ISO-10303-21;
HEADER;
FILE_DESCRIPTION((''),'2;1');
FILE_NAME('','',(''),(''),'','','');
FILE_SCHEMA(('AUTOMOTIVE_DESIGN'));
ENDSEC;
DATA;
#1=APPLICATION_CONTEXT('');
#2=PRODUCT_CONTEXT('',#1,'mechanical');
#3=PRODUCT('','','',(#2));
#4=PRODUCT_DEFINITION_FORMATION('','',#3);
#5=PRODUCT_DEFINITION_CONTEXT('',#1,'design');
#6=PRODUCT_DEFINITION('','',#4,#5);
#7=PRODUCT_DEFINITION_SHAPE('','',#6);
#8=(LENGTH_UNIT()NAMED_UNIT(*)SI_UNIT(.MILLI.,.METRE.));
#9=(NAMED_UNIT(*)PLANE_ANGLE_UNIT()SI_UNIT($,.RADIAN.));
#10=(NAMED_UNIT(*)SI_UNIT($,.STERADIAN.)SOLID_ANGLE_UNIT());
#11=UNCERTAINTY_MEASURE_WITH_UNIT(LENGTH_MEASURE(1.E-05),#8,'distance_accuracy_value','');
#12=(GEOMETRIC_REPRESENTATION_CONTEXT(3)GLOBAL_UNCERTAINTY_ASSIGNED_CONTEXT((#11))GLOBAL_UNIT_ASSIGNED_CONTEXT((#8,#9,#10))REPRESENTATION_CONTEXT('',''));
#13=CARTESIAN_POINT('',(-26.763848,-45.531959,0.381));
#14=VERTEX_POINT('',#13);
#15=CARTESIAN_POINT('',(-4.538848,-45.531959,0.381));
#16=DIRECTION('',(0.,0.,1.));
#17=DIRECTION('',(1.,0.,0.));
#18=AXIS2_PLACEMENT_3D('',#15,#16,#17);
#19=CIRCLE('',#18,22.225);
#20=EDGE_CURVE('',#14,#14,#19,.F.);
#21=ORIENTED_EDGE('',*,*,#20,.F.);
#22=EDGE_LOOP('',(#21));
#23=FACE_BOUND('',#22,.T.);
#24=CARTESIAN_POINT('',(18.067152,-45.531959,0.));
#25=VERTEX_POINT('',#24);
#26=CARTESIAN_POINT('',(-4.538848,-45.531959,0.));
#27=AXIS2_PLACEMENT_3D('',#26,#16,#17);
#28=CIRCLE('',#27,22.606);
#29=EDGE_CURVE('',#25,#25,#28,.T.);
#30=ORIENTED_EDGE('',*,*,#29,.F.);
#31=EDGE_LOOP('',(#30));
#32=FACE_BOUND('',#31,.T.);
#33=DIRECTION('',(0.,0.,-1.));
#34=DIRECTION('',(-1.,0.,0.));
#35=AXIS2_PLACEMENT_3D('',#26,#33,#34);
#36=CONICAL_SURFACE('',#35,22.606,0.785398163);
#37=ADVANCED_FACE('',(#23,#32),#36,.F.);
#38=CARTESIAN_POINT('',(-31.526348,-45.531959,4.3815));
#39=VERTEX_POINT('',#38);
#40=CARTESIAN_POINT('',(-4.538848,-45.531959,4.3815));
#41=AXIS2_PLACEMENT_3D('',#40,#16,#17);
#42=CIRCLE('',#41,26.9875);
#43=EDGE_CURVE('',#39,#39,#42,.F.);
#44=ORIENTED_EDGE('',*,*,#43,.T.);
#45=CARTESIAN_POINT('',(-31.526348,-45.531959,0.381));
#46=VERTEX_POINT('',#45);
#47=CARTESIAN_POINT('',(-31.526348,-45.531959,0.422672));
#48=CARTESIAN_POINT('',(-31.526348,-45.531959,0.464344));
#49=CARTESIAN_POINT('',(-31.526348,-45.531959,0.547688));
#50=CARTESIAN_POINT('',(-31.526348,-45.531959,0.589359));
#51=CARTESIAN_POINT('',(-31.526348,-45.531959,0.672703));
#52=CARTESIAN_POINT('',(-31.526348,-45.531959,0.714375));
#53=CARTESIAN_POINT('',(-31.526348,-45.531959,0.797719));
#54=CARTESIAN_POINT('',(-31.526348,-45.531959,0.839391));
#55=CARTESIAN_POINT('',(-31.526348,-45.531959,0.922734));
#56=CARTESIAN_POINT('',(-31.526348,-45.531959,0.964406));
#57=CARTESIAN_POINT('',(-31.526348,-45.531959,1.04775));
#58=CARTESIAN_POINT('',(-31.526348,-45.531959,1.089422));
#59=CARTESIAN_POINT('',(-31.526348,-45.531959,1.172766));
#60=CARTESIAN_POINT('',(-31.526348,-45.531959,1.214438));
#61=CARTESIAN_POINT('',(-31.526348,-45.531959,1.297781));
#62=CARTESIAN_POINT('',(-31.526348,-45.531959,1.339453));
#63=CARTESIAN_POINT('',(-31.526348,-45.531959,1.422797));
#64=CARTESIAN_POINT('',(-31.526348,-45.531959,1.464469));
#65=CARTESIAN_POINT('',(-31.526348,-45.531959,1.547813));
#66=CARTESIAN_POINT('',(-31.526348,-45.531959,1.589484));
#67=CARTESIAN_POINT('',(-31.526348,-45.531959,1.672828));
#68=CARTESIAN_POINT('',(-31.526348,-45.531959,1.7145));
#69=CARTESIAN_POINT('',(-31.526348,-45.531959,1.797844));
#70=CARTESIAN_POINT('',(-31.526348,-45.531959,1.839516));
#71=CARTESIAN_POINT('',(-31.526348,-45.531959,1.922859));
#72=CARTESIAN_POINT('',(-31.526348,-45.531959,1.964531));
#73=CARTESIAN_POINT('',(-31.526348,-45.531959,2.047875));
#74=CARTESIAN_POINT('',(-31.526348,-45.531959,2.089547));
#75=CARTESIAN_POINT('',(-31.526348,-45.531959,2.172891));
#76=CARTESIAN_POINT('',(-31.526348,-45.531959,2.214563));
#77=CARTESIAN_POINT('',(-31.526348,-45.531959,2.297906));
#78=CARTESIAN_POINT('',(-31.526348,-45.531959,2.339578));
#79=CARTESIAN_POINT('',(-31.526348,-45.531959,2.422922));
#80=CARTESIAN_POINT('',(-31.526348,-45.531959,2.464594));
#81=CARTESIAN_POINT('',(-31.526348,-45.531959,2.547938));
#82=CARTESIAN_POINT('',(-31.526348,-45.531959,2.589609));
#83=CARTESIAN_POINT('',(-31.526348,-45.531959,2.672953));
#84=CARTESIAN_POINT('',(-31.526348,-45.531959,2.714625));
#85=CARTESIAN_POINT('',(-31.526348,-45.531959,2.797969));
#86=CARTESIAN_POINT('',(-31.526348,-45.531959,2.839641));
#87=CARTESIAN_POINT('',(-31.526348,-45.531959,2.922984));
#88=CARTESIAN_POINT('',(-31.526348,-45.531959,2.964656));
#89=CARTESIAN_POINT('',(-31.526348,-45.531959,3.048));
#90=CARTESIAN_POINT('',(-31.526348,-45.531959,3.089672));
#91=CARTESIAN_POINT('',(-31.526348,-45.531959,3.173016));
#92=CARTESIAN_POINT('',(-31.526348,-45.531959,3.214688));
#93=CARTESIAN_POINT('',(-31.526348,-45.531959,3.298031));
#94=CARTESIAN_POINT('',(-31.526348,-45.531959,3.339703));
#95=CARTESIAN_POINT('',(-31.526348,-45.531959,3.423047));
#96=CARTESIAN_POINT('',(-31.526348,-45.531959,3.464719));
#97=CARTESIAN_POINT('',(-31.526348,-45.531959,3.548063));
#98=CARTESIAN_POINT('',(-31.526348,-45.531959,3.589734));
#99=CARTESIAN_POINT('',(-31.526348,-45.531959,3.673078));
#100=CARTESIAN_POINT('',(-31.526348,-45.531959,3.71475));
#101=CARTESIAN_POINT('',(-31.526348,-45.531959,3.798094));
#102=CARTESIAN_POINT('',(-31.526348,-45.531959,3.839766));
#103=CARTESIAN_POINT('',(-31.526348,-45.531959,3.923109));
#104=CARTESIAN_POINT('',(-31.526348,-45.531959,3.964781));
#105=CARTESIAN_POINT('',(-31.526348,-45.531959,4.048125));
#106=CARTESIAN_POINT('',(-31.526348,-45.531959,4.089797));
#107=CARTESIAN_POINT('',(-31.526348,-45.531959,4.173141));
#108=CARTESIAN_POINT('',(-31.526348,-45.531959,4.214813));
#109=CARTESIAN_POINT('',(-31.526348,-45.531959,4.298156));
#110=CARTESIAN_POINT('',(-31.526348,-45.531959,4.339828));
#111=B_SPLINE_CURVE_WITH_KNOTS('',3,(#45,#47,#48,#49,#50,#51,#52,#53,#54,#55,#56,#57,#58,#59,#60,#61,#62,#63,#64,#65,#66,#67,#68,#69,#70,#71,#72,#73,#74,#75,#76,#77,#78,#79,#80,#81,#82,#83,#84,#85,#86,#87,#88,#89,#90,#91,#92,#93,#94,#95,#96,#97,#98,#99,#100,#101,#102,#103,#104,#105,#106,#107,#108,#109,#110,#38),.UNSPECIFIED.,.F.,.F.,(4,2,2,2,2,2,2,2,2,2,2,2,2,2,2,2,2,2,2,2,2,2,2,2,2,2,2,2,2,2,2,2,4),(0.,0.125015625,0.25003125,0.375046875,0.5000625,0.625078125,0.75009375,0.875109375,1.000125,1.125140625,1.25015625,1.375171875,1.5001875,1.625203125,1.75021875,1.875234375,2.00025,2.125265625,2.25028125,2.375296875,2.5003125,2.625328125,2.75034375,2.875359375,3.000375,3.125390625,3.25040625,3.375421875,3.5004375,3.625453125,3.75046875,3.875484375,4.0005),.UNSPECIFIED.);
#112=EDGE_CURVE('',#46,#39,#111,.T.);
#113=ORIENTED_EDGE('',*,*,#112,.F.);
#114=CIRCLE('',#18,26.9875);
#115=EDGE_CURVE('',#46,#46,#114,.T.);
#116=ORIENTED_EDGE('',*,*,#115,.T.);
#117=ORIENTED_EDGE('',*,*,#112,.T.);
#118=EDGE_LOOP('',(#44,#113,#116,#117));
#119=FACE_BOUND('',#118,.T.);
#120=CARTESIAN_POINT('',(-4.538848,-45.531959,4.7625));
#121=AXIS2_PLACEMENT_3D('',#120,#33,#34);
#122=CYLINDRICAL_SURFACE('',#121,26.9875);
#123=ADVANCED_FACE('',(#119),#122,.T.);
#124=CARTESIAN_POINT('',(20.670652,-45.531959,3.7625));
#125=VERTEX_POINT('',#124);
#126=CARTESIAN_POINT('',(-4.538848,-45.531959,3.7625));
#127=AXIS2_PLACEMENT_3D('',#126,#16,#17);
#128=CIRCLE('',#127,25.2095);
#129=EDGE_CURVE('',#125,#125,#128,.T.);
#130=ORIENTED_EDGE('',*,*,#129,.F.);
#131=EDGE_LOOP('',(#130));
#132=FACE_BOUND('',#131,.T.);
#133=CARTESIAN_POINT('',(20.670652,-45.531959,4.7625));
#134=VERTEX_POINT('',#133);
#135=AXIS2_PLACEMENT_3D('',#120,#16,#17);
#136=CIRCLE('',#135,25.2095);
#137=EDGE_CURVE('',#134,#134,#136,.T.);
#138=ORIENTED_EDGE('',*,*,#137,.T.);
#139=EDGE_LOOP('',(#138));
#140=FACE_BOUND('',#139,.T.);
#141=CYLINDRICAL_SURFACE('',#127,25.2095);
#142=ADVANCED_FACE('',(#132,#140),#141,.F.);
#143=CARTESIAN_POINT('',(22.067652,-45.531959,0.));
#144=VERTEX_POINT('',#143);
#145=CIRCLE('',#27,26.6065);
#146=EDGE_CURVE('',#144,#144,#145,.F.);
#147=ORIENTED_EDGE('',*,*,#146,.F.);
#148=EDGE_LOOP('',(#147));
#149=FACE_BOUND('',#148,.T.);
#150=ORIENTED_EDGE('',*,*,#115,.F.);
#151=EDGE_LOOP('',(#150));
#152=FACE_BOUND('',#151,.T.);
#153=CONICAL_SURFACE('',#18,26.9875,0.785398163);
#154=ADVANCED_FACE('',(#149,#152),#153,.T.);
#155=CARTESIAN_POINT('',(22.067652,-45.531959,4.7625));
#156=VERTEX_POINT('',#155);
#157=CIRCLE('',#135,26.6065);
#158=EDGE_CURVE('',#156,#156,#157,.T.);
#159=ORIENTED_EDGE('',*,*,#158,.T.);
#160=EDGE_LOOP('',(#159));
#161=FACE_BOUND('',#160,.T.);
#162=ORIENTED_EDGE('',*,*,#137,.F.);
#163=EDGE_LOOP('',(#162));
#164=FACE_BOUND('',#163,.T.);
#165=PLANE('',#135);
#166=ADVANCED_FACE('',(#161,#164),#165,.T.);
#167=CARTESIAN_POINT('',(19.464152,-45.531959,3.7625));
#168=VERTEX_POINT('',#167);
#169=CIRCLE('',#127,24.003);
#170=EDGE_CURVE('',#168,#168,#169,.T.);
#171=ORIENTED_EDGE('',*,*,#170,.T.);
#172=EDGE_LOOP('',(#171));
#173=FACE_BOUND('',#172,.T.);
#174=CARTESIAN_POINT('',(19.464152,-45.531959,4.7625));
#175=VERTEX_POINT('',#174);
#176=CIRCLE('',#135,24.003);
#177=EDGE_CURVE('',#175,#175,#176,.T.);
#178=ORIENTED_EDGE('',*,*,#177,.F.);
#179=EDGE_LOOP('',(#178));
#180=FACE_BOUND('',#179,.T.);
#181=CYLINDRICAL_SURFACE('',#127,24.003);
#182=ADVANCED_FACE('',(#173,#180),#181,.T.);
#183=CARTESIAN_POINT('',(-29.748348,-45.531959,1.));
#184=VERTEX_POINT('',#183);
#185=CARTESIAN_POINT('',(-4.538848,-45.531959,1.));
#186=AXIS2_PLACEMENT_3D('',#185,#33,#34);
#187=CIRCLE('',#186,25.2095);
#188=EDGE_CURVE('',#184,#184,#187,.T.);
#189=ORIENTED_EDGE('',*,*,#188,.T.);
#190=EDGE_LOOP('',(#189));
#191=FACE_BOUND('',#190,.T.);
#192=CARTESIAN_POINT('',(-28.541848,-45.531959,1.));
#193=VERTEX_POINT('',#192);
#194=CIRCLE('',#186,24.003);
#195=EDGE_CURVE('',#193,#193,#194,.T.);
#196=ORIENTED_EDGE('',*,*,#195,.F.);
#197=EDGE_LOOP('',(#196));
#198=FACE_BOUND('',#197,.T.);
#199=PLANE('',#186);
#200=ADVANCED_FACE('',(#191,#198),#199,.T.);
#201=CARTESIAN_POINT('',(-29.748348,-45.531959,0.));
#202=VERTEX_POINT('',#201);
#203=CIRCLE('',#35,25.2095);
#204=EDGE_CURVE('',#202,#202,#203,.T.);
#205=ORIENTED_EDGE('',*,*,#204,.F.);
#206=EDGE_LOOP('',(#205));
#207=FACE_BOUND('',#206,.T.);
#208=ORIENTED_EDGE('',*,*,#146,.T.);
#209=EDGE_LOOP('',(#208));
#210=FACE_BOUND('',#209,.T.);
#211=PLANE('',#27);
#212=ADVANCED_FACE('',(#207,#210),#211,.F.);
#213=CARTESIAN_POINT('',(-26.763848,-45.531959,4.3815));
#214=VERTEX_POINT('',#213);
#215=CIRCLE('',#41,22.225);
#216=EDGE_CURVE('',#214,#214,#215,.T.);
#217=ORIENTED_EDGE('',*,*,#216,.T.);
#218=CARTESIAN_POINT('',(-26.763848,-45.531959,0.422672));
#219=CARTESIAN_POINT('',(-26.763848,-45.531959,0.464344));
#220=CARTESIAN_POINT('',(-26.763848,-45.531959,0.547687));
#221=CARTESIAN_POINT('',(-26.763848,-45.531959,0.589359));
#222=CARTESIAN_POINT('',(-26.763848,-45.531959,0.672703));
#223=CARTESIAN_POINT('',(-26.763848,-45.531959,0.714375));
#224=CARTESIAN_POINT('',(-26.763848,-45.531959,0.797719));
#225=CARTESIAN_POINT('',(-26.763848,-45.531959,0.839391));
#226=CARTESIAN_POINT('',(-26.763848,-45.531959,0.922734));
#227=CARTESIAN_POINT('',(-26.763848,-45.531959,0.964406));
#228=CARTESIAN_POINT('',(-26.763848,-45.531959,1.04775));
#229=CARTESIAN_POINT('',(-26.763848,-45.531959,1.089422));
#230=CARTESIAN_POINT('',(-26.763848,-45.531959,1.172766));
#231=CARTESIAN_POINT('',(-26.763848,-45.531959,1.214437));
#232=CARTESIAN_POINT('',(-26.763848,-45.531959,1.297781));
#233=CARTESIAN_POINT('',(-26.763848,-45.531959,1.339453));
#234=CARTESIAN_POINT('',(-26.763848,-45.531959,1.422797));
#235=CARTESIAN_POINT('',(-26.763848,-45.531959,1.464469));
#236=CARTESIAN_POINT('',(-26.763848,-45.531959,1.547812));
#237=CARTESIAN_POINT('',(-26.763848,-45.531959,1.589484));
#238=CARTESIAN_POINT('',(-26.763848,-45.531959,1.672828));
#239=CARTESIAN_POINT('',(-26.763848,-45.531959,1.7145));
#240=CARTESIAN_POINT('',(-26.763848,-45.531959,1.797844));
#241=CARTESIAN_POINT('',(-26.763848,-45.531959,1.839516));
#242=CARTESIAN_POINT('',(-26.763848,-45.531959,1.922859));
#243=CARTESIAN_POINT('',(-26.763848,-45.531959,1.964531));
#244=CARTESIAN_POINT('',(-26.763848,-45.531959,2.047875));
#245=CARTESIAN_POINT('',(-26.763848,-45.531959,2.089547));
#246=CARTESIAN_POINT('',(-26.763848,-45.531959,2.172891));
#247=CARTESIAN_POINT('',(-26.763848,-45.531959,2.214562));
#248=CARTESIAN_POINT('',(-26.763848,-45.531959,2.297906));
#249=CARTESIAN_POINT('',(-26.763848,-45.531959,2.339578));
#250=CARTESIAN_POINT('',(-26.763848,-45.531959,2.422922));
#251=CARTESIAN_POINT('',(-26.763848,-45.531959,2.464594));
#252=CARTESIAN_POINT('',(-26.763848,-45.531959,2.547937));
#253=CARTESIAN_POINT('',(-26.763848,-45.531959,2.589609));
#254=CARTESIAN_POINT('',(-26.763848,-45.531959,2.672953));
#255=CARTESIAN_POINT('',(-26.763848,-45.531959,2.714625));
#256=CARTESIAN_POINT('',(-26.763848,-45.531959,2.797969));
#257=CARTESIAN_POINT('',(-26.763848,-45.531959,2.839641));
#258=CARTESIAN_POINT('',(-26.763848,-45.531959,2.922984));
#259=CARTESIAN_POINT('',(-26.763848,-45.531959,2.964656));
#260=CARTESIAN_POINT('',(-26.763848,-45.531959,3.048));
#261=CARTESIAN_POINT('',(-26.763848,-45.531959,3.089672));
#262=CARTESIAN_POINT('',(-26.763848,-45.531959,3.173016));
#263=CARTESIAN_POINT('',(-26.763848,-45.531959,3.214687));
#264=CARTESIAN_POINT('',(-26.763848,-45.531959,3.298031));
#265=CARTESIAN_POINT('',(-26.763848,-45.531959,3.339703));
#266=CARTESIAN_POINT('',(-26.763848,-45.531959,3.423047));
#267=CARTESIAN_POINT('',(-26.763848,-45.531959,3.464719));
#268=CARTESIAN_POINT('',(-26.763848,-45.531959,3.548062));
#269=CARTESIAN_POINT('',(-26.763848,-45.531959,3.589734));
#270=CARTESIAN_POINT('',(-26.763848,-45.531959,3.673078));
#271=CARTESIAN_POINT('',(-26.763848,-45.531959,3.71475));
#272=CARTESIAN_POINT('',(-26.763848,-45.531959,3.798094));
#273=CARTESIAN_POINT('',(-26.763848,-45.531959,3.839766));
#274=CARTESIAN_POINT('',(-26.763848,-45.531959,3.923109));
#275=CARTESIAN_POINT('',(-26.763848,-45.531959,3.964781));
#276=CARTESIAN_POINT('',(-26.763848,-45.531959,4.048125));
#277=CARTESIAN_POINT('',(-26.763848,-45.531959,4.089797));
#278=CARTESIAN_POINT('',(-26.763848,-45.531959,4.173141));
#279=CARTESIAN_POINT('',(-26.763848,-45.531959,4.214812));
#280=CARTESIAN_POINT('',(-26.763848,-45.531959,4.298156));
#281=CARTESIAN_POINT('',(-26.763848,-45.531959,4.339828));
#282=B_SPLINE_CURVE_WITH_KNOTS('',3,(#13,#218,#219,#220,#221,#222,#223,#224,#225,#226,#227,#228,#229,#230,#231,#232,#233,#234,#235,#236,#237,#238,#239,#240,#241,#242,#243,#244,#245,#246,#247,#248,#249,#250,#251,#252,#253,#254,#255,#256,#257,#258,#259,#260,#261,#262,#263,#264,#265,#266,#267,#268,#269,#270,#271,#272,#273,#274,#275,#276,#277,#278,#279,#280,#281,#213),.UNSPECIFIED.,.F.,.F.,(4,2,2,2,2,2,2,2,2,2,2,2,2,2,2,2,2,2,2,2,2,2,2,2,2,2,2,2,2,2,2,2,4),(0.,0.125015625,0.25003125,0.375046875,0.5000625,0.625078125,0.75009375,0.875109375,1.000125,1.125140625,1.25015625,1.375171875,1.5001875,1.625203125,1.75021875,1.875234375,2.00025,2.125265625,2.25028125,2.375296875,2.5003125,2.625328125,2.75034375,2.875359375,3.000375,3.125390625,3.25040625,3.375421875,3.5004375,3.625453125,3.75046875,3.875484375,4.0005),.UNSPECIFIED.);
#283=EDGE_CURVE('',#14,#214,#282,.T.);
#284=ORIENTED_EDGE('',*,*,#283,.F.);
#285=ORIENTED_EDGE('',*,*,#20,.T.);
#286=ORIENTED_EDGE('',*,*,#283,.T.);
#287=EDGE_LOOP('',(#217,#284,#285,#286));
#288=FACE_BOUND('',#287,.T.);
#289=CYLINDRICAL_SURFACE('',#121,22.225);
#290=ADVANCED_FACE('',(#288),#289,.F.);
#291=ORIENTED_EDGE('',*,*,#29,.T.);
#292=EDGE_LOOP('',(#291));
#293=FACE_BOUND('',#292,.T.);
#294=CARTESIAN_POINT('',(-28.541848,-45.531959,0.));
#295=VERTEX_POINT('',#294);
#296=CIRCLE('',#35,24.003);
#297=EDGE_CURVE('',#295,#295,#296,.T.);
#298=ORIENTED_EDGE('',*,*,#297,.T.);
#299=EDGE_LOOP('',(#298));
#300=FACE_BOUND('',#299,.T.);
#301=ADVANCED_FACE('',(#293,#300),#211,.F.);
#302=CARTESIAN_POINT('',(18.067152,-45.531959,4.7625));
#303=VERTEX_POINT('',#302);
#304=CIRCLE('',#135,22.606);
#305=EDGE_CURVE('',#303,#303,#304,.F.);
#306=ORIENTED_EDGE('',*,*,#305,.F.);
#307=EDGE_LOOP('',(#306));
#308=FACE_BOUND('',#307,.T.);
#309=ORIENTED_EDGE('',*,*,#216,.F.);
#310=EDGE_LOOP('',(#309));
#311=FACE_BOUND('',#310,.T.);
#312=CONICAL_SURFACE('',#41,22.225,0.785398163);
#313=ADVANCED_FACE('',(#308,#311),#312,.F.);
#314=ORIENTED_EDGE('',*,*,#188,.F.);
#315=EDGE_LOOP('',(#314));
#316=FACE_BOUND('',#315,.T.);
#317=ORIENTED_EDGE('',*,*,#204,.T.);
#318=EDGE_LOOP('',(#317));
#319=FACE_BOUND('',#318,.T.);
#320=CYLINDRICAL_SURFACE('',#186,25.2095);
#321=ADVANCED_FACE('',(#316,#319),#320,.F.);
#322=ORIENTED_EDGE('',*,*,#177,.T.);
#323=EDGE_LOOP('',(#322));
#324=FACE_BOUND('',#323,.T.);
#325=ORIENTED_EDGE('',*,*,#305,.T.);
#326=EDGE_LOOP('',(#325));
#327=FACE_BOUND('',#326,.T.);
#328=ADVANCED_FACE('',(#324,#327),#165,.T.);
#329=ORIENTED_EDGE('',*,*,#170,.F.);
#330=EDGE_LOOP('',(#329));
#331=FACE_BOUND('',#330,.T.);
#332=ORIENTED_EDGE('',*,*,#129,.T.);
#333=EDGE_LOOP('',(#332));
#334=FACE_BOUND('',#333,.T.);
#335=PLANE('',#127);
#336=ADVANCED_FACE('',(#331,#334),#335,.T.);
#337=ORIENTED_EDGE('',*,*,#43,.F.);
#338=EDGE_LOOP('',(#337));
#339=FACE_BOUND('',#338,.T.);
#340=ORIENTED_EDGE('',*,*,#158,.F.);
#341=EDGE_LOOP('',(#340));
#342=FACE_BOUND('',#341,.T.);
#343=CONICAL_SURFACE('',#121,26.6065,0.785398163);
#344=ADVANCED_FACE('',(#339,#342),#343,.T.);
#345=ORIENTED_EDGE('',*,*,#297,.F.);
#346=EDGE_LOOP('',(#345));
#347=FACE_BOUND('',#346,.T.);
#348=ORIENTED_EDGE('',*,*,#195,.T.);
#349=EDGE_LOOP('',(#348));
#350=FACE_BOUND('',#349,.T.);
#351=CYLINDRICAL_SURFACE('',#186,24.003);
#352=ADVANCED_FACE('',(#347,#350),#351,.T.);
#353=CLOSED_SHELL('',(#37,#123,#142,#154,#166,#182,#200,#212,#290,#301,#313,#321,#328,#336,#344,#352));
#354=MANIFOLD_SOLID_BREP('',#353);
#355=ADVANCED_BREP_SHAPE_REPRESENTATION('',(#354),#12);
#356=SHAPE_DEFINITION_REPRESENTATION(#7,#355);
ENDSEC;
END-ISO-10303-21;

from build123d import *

# Parameters (mm, degrees)
SKETCH1_R          = 26.9875
SKETCH1_R_2        = 22.225
EXTRUDE1_DEPTH     = 4.7625
SKETCH2_R          = 25.2095
SKETCH2_R_2        = 24.003
CUT_EXTRUDE1_DEPTH = 1
CUT_EXTRUDE2_START = -1
SKETCH3_R          = 25.2095
SKETCH3_R_2        = 24.003
CUT_EXTRUDE2_DEPTH = 1
CHAMFER1_SIZE      = 0.381


with BuildPart() as part:
    # Sketch1 → Extrude1 (new body)
    with BuildSketch(Plane.XY):
        with Locations(Location((-4.538848476, -45.531959332, 0), (0, 0, 180))):
            Circle(SKETCH1_R)
        with Locations(Location((-4.538848476, -45.531959332, 0), (0, 0, 180))):
            Circle(SKETCH1_R_2, mode=Mode.SUBTRACT)
    extrude(amount=EXTRUDE1_DEPTH)

    # Sketch2 → Cut-Extrude1 (cut)
    with BuildSketch(Plane.XY.offset(4.7625)):
        with Locations((-4.538848476, -45.531959332)):
            Circle(SKETCH2_R)
        with Locations((-4.538848476, -45.531959332)):
            Circle(SKETCH2_R_2, mode=Mode.SUBTRACT)
    extrude(amount=-CUT_EXTRUDE1_DEPTH, mode=Mode.SUBTRACT)

    # Sketch3 → Cut-Extrude2 (cut)
    with BuildSketch(Plane(origin=(0, 0, 0), x_dir=(-1, 0, 0), z_dir=(0, 0, -1)).offset(CUT_EXTRUDE2_START)):
        with Locations(Location((4.538848476, -45.531959332, 0), (0, 0, 180))):
            Circle(SKETCH3_R)
        with Locations(Location((4.538848476, -45.531959332, 0), (0, 0, 180))):
            Circle(SKETCH3_R_2, mode=Mode.SUBTRACT)
    extrude(amount=CUT_EXTRUDE2_DEPTH, mode=Mode.SUBTRACT)

    # Chamfer1
    chamfer1_edges = [part.edges().sort_by_distance(p)[0] for p in [
        (22.448651524, -45.531959332, 0),
        (22.448651524, -45.531959332, 4.7625),
        (17.686151524, -45.531959332, 0),
        (17.686151524, -45.531959332, 4.7625),
    ]]
    chamfer(chamfer1_edges, length=CHAMFER1_SIZE)


solid = part.part
